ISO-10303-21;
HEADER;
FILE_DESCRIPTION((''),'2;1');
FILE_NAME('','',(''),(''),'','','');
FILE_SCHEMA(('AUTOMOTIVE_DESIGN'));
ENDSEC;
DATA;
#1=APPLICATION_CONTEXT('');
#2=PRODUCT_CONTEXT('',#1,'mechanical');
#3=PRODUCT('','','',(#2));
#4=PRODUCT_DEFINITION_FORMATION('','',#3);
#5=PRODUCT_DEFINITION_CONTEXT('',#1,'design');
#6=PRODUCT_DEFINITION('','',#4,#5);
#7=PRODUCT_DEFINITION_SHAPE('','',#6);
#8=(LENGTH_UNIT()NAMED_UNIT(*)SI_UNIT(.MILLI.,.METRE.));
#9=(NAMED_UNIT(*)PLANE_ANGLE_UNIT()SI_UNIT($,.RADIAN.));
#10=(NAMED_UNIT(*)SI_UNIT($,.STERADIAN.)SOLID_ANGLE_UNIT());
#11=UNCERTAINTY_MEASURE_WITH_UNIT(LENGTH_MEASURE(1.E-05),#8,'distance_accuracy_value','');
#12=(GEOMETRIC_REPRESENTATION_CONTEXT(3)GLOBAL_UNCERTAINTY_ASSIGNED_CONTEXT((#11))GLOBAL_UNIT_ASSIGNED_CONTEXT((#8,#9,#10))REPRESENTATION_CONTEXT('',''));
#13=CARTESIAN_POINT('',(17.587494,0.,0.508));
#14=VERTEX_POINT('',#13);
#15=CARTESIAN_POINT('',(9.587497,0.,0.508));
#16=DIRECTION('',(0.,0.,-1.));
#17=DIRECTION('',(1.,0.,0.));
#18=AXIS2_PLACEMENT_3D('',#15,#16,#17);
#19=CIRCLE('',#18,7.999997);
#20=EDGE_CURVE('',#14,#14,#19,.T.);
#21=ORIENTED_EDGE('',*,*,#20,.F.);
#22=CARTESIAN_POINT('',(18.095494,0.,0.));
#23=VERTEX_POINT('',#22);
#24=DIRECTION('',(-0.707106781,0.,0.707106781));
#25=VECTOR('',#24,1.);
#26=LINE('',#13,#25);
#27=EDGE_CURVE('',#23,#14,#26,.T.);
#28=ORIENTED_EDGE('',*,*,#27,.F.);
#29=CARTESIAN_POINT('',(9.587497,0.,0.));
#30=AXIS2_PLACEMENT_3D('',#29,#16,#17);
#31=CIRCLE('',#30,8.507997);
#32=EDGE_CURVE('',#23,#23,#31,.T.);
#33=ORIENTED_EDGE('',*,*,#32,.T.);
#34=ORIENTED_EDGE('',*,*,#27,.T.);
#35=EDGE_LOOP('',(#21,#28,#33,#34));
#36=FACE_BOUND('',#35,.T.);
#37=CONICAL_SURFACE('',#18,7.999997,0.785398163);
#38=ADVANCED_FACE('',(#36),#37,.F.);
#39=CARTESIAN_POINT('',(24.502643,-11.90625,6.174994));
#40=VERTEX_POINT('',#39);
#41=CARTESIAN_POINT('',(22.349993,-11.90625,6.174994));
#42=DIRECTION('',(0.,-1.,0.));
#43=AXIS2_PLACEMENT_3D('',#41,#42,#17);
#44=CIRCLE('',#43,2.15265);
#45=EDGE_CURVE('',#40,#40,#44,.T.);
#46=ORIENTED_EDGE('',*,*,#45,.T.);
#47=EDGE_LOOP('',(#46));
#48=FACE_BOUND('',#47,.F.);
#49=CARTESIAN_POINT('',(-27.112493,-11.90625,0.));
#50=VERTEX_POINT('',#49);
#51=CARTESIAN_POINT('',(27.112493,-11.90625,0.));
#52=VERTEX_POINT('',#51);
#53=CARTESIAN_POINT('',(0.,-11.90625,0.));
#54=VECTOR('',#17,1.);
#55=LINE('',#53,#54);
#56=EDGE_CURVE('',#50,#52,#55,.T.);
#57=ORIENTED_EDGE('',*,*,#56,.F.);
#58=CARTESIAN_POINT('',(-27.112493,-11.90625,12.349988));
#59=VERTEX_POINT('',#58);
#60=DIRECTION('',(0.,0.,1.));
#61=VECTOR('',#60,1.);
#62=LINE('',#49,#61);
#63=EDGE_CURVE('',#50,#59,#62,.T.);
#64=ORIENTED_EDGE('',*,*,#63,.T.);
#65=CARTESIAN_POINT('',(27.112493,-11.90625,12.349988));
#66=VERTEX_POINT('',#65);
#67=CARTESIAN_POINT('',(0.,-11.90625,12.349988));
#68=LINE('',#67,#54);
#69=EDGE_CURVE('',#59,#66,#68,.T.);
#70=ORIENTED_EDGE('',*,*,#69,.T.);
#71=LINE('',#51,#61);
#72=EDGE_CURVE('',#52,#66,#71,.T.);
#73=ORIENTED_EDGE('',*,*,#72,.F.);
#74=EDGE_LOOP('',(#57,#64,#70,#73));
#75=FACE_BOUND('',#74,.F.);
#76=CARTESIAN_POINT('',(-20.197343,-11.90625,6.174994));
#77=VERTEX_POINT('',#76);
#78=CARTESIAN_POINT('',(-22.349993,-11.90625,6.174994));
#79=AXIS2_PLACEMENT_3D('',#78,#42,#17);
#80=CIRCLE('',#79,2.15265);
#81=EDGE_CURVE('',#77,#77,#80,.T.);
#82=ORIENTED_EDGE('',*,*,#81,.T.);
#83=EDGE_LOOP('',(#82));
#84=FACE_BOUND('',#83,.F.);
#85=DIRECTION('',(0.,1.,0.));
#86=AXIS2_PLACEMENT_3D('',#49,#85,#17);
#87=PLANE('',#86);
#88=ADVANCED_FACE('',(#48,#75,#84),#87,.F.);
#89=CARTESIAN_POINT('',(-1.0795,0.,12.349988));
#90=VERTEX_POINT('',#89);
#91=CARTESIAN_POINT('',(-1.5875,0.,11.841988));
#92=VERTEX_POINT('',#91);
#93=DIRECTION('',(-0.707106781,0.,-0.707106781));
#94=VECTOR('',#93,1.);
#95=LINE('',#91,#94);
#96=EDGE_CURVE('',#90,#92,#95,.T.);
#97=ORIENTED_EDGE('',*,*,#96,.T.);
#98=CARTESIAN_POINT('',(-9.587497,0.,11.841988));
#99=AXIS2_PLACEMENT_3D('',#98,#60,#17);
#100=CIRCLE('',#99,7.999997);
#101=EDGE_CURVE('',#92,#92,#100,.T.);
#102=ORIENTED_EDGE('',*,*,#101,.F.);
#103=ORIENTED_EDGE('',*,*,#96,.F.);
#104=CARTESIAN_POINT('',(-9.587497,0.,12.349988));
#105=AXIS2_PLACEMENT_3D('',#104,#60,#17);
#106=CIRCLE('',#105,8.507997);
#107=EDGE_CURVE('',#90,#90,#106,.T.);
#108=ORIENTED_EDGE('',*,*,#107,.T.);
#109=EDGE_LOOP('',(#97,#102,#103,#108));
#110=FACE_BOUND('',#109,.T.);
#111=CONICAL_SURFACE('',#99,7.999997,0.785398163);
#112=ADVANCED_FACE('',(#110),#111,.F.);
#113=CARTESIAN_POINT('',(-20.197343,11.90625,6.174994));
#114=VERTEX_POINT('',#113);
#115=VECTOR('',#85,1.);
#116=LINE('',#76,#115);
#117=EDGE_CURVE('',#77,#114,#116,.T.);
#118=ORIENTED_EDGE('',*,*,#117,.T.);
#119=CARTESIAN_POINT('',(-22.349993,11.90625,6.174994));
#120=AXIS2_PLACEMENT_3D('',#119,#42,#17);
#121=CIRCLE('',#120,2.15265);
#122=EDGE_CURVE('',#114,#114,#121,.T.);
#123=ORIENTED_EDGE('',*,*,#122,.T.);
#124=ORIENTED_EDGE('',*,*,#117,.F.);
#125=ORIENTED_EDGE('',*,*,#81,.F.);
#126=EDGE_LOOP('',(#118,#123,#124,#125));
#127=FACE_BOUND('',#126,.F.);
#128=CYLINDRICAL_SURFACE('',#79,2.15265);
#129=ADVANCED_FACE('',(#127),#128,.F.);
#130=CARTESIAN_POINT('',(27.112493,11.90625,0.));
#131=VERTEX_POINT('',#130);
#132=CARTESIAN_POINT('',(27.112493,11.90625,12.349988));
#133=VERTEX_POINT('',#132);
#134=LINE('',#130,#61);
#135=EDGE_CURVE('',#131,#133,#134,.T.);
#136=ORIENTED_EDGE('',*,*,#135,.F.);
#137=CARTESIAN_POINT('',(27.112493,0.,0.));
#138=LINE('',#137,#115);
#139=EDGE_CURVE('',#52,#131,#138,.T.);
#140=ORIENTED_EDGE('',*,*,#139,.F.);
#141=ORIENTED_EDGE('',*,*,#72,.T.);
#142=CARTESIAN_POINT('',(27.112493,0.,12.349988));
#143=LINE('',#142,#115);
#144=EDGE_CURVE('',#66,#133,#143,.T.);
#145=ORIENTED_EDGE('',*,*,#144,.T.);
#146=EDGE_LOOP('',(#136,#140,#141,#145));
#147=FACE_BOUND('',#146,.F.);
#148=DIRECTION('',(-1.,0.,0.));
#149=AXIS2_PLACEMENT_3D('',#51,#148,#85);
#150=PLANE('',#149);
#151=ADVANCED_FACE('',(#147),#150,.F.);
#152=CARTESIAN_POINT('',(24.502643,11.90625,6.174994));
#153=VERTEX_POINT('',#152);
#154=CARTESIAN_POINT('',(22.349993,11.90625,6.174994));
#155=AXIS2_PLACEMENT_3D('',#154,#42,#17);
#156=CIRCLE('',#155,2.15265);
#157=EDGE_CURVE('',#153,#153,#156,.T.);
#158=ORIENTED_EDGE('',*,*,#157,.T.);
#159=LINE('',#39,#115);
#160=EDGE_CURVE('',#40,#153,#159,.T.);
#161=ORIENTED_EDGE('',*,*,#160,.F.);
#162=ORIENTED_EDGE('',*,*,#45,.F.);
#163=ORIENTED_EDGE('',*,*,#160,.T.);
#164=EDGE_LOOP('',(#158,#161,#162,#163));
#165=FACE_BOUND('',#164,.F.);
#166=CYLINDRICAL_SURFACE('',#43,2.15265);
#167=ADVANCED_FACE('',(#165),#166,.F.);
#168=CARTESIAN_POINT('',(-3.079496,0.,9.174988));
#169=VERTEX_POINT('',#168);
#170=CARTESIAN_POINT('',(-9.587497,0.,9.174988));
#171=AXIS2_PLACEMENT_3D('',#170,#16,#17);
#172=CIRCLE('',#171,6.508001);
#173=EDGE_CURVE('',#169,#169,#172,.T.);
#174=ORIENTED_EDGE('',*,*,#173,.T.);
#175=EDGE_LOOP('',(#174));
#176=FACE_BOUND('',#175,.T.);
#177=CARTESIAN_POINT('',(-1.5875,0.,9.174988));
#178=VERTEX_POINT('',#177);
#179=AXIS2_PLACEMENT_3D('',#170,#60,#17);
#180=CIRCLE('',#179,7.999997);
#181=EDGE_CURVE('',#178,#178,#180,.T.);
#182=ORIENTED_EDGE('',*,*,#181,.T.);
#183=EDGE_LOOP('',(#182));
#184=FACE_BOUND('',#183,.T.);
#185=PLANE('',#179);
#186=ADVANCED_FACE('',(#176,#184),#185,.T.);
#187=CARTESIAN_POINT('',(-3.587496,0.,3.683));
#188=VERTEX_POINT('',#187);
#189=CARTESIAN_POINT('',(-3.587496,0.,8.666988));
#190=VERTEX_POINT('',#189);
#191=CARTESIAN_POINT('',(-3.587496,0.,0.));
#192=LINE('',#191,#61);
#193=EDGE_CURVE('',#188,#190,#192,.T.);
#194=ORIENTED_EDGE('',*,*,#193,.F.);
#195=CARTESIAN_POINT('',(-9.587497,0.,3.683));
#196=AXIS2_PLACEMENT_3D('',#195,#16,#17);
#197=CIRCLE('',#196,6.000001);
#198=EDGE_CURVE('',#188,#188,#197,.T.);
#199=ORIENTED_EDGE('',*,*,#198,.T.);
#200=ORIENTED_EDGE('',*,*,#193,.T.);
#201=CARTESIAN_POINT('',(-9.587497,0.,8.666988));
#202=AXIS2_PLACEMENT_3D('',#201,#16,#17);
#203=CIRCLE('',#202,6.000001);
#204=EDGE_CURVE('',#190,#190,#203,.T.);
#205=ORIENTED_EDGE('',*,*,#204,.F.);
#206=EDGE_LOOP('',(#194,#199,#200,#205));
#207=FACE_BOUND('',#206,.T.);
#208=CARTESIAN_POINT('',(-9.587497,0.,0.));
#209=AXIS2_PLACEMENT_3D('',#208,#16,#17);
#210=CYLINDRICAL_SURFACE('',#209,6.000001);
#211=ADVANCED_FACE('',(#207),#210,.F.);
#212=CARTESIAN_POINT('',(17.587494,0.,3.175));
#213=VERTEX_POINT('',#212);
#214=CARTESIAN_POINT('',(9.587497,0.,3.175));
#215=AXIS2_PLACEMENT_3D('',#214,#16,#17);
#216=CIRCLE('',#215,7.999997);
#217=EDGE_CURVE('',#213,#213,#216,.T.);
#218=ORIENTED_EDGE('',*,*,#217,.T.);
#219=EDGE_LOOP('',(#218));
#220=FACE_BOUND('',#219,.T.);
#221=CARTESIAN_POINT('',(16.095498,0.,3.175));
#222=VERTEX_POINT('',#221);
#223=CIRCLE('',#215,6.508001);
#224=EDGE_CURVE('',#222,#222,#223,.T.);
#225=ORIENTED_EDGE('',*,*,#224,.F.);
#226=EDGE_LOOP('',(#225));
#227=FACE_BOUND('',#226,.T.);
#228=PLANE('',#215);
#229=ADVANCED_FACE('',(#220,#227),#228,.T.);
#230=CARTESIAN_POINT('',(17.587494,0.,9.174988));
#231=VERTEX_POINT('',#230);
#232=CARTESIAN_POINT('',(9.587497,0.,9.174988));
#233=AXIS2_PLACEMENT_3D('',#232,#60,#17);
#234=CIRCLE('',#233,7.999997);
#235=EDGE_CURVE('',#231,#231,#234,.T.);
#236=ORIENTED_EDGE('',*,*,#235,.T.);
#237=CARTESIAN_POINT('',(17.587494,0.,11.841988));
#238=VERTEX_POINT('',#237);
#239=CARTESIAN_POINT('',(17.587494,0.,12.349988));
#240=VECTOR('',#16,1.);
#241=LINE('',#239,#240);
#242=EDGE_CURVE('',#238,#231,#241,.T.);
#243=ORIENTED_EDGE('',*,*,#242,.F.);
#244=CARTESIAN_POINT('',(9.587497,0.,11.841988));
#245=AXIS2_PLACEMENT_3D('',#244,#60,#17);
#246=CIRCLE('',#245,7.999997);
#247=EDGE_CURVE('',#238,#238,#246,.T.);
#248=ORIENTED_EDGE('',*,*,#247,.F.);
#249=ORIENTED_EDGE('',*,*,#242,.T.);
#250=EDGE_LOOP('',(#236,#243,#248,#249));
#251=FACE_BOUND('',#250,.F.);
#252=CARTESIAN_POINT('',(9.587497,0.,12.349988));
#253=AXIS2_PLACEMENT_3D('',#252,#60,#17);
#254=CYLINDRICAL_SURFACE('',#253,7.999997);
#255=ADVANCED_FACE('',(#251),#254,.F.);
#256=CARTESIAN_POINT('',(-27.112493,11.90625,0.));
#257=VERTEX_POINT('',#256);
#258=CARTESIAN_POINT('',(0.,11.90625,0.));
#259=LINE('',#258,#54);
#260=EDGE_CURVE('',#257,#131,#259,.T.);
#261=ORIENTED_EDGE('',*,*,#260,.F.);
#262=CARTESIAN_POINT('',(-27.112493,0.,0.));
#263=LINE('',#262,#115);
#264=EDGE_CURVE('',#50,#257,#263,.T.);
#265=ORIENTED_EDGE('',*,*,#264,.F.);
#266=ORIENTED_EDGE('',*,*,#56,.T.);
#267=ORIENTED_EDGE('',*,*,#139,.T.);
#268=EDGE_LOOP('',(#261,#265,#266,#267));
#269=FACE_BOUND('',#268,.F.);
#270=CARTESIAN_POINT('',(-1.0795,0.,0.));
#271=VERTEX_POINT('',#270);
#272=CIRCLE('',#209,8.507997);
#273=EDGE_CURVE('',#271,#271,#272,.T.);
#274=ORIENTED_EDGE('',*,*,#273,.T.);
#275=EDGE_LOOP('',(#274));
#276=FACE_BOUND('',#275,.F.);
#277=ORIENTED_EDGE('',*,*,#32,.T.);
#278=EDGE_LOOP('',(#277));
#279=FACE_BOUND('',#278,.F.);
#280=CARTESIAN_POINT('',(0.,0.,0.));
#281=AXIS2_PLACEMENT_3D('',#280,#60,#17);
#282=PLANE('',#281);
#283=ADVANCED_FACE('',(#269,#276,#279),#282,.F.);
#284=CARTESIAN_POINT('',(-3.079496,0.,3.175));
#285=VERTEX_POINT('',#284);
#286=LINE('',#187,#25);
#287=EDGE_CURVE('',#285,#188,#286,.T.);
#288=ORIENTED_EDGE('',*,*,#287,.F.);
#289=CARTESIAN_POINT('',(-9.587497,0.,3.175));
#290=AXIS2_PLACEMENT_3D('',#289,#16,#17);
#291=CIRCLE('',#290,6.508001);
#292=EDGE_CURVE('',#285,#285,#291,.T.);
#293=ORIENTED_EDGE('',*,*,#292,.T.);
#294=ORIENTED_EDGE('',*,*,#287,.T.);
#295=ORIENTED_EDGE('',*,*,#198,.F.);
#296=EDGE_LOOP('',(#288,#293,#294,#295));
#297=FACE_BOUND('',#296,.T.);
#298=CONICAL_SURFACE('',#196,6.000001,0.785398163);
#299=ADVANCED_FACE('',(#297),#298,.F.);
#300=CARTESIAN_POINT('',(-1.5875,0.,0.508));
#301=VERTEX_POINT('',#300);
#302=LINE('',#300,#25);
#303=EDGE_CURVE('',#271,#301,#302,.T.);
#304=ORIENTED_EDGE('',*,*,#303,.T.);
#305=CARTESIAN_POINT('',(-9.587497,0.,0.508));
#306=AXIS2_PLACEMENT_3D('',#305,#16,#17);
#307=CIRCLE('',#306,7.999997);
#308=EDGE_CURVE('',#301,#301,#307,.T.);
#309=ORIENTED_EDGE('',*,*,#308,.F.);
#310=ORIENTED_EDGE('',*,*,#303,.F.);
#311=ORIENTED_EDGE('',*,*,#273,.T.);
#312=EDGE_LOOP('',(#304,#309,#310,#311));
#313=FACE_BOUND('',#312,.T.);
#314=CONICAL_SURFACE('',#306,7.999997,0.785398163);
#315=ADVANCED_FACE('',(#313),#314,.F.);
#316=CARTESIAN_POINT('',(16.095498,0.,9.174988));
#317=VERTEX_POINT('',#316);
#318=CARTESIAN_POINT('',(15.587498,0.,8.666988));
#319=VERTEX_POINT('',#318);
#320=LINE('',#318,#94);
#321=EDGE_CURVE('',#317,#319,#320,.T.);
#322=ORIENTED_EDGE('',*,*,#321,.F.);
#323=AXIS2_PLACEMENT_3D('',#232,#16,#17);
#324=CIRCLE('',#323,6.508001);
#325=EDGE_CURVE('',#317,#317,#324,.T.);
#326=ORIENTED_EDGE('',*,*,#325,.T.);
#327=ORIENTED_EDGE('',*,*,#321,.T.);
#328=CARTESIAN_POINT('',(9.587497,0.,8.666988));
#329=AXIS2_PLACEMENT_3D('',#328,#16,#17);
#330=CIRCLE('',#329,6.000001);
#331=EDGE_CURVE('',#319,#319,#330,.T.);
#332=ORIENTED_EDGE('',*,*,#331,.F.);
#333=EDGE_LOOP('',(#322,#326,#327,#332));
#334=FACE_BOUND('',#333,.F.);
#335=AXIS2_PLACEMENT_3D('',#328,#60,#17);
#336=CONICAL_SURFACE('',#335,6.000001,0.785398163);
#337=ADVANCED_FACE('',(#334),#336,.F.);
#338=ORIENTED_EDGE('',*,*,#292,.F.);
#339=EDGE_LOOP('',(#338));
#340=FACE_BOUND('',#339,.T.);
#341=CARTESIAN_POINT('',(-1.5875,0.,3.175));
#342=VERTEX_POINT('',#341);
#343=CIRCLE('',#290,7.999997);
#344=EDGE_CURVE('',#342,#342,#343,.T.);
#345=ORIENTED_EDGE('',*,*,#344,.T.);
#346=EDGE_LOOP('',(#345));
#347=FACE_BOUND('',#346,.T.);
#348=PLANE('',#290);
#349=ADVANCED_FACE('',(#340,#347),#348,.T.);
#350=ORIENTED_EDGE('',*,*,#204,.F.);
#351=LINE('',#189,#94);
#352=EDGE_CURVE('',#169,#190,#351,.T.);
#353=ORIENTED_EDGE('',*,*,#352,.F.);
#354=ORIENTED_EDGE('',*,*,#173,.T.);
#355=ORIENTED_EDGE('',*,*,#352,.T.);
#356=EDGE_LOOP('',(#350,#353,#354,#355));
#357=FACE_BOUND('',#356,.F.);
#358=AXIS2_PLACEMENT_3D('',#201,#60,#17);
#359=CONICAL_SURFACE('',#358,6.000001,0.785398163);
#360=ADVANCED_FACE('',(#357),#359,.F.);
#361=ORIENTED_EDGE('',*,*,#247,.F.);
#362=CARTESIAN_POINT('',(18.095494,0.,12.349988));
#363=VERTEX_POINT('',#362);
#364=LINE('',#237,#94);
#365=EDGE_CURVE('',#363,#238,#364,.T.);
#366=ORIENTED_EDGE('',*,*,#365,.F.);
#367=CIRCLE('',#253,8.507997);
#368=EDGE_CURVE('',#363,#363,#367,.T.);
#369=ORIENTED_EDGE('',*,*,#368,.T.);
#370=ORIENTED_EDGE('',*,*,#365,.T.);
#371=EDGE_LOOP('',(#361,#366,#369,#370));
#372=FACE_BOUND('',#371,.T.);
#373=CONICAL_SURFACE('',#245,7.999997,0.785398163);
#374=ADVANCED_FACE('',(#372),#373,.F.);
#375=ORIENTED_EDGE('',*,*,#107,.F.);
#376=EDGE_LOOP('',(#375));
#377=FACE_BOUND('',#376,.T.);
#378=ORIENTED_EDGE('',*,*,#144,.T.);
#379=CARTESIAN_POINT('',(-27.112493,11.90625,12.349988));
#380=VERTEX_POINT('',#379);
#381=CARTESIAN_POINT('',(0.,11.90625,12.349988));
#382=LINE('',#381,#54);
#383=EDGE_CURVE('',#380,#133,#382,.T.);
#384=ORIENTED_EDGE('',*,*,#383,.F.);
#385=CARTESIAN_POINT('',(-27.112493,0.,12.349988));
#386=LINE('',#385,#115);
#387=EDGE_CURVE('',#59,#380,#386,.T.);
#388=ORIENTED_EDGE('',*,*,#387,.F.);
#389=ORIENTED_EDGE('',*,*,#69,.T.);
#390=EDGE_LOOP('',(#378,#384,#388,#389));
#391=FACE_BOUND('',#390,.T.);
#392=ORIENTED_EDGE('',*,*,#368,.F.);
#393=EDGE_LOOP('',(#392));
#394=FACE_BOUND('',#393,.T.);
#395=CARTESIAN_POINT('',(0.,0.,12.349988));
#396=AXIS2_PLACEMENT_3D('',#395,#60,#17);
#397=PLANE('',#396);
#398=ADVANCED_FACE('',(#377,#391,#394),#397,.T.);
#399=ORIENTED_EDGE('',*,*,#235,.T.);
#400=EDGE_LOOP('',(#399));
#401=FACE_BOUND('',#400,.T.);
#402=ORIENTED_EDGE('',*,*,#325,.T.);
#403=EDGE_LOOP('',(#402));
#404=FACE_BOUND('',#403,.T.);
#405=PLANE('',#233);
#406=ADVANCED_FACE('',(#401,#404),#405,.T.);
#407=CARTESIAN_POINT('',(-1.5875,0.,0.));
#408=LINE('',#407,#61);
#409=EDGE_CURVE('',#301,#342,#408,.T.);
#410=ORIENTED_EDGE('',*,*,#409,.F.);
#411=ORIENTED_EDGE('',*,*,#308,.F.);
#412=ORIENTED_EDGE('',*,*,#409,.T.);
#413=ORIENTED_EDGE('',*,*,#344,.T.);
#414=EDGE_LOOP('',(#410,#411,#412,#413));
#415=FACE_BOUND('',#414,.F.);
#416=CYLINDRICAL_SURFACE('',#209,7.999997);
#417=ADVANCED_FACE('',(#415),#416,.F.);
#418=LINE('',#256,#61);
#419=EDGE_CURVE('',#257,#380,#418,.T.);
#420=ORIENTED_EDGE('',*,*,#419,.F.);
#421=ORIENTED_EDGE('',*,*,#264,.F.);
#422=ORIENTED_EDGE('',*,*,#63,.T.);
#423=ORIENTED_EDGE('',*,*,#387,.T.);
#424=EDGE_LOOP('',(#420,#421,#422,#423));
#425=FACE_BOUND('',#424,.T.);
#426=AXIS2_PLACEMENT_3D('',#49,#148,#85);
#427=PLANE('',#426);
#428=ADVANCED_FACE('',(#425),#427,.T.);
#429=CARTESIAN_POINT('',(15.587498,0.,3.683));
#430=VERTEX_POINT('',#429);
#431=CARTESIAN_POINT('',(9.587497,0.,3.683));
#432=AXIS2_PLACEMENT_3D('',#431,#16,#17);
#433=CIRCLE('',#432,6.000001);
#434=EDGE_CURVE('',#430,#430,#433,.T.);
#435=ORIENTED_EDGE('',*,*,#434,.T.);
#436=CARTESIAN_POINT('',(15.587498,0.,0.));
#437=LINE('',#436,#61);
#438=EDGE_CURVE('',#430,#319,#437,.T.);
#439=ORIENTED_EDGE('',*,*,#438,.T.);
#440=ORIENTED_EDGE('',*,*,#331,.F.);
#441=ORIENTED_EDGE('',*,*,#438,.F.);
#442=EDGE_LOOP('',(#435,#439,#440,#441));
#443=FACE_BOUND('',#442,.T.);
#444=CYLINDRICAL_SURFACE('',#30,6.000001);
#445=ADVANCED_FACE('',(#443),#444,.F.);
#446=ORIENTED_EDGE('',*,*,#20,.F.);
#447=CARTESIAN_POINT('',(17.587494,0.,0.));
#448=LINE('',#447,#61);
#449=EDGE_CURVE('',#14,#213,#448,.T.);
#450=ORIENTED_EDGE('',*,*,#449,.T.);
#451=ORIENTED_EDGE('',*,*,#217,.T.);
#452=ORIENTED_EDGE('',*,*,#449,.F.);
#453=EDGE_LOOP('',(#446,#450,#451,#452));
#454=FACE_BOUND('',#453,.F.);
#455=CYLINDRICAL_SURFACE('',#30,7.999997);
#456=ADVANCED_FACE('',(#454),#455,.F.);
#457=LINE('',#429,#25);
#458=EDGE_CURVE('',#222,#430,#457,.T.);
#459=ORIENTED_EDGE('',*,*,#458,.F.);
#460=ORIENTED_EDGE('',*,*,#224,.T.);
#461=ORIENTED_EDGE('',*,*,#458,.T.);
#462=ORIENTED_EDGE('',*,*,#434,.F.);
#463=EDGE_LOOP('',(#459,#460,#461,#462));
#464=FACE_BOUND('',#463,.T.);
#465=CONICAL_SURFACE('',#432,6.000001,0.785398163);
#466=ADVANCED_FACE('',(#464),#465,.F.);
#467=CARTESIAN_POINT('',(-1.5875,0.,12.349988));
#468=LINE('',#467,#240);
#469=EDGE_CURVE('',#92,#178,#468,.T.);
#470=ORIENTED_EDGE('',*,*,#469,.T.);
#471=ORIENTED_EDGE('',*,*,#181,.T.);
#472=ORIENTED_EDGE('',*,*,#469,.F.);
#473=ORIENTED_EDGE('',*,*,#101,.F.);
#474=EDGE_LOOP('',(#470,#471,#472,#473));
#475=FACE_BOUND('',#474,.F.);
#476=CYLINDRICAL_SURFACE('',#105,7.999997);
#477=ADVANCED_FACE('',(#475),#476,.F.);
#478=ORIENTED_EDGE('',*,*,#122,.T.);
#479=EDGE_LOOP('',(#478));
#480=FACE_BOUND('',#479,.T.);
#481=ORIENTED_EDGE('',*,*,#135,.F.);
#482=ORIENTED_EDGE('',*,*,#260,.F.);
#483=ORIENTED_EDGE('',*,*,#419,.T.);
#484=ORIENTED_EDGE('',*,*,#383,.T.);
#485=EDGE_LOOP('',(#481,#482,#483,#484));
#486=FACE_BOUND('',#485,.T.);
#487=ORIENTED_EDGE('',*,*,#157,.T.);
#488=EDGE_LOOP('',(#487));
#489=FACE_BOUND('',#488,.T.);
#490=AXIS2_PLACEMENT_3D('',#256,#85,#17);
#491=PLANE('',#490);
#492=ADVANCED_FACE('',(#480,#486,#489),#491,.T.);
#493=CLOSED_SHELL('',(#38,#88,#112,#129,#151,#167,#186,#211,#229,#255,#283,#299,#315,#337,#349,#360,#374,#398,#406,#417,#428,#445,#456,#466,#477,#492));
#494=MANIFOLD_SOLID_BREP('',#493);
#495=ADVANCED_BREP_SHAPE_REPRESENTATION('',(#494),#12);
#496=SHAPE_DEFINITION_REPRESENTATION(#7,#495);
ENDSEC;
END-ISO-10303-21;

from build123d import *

# Parameters (mm, degrees)
F0_W     = 54.224986
F0_H     = 23.8125
F0_R     = 6.000001
F1_DEPTH = 12.349988
F2_R     = 7.999997
F3_DEPTH = 3.175
F4_R     = 7.999997
F5_DEPTH = 3.175
F6_R     = 2.15265
F7_DEPTH = 23.8125
F8_SIZE  = 0.508


with BuildPart() as f1:
    # F0 (on Top) → F1 (new body)
    with BuildSketch(Plane.XY):
        Rectangle(F0_W, F0_H)
        with Locations((-9.587497, 0)):
            Circle(F0_R, mode=Mode.SUBTRACT)
        with Locations((9.587497, 0)):
            Circle(F0_R, mode=Mode.SUBTRACT)
    extrude(amount=F1_DEPTH)

    # F2 (on face) → F3 (cut)
    with BuildSketch(Plane(origin=(0, 0, 0), x_dir=(1, 0, 0), z_dir=(0, 0, -1))):
        with Locations((9.587497, 0)):
            Circle(F2_R)
        with Locations((-9.587497, 0)):
            Circle(F2_R)
    extrude(amount=-F3_DEPTH, mode=Mode.SUBTRACT)

    # F4 (on face) → F5 (cut)
    with BuildSketch(Plane.XY.offset(12.349988)):
        with Locations((9.587497, 0)):
            Circle(F4_R)
        with Locations((-9.587497, 0)):
            Circle(F4_R)
    extrude(amount=-F5_DEPTH, mode=Mode.SUBTRACT)

    # F6 (on face) → F7 (cut, through all)
    with BuildSketch(Plane.XZ.offset(11.90625)):
        with Locations((-22.349993, 6.174994)):
            Circle(F6_R)
        with Locations((22.349993, 6.174994)):
            Circle(F6_R)
    extrude(amount=-F7_DEPTH, mode=Mode.SUBTRACT)

    # F8
    f8_edges = [f1.edges().sort_by_distance(p)[0] for p in [
        (1.5875, 0, 0),
        (3.587496, 0, 3.175),
        (3.587496, 0, 9.174988),
        (1.5875, 0, 12.349988),
        (-17.587493, 0, 12.349988),
        (-17.587493, 0, 0),
        (-15.587497, 0, 3.175),
        (-15.587497, 0, 9.174988),
    ]]
    chamfer(f8_edges, length=F8_SIZE)


solid = f1.part
